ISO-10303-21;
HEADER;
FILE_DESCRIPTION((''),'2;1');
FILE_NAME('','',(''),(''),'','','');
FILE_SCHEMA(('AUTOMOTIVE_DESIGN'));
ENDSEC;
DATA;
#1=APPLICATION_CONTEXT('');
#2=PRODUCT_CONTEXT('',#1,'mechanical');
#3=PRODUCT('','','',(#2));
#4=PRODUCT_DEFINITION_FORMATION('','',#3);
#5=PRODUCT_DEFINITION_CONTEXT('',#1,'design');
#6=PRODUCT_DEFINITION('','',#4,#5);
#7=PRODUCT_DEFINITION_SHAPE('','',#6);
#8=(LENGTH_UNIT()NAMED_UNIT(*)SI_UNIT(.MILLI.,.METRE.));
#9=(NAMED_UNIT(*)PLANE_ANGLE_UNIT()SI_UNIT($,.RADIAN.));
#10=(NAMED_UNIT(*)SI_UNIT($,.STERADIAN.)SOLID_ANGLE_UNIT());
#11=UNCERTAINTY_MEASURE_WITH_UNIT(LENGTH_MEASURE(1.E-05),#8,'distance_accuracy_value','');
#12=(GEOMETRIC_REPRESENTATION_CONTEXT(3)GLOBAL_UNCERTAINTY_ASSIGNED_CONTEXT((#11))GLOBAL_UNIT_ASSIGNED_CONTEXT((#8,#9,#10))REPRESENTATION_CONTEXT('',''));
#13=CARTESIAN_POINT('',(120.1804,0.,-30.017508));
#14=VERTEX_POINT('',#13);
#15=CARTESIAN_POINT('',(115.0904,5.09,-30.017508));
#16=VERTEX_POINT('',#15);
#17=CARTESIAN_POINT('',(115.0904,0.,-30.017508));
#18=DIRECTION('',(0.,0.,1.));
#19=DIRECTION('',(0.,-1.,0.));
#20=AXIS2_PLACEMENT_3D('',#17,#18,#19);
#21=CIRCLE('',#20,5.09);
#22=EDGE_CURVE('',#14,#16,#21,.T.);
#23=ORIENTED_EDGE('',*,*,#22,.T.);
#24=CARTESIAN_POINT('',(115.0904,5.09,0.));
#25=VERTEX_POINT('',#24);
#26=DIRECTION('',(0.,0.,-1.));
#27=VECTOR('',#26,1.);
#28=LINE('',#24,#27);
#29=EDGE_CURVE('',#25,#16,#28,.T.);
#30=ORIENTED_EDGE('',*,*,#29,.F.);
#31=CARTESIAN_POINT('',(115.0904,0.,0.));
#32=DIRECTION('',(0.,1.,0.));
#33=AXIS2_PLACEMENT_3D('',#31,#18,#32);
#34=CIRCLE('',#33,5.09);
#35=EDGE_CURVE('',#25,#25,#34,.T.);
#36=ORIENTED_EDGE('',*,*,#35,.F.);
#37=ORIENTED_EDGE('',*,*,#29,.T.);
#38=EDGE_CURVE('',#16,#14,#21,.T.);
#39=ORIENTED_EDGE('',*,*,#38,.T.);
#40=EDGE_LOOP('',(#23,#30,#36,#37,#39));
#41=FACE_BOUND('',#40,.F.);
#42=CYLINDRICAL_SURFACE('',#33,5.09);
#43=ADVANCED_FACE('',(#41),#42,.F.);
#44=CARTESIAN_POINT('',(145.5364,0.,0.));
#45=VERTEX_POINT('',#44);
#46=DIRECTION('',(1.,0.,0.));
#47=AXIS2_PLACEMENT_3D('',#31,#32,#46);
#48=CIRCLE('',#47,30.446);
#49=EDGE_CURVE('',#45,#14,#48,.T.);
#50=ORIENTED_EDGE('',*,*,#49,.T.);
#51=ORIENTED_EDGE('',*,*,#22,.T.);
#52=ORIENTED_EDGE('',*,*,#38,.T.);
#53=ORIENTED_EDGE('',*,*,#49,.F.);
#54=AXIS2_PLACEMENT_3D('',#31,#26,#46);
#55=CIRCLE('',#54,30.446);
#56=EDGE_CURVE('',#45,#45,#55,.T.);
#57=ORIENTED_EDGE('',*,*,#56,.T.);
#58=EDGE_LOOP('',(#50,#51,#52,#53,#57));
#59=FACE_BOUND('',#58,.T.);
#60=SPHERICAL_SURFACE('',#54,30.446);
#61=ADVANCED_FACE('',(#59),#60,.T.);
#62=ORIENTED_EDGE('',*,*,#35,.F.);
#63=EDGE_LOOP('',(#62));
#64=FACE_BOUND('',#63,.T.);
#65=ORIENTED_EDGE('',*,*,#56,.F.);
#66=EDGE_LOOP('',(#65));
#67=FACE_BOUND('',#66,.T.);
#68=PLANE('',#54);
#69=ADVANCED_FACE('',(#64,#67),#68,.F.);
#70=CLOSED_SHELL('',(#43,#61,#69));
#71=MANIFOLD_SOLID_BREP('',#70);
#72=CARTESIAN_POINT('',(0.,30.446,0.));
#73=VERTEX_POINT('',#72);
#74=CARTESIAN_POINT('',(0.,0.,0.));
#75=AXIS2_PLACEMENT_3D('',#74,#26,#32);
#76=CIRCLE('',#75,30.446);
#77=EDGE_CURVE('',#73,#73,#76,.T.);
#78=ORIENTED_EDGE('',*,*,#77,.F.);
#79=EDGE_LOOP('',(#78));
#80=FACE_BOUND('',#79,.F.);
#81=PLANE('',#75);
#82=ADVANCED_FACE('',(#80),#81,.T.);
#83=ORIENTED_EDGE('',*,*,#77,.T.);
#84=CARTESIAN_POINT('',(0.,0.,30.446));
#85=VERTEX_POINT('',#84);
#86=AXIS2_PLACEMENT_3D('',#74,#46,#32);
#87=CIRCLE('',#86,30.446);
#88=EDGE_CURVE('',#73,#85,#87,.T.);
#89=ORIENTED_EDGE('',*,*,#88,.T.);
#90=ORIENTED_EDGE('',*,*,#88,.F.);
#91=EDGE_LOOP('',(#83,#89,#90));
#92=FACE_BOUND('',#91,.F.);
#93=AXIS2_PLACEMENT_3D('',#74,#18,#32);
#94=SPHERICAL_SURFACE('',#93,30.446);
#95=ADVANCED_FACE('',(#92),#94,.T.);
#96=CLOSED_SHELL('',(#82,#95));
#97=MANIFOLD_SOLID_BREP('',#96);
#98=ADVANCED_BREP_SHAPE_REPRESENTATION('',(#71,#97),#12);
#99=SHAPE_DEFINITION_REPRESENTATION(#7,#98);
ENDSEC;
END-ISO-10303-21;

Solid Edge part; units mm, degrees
sketch "Sketch1" plane through (0, 0, 0) normal (1, 0, 0) x (0, 1, 0)
  arc A0 (30.446, 0) -> (0, 30.446) centre (0, 0) ccw
  line L0 (0, 30.446) -> (0, 0)
  line L1 (0, 0) -> (30.446, 0)
revolve "RevolvedProtrusion1" add sketch "Sketch1" angle 360 about axis through (0, 0, 30.446) along (0, 0, -1)
sketch "Sketch2" plane through (0, 0, 0) normal (0, -1, 0) x (1, 0, 0)
  line L0 (115.0904, 0) -> (115.0904, -30.446)
  line L1 (115.0904, 0) -> (145.5364, 0)
  arc A0 (145.5364, 0) -> (115.0904, -30.446) centre (115.0904, 0) cw
revolve "RevolvedProtrusion2" add sketch "Sketch2" angle 360 about axis through (115.0904, 0, 0) along (0, 0, -1)
sketch "Sketch3" plane through (115.0904, 0, 0) normal (0, 0, 1) x (0, 1, 0)
  circle A0 centre (0, 0) radius 5.09
extrude "Cutout1" cut sketch "Sketch3" against normal blind 60.1558
